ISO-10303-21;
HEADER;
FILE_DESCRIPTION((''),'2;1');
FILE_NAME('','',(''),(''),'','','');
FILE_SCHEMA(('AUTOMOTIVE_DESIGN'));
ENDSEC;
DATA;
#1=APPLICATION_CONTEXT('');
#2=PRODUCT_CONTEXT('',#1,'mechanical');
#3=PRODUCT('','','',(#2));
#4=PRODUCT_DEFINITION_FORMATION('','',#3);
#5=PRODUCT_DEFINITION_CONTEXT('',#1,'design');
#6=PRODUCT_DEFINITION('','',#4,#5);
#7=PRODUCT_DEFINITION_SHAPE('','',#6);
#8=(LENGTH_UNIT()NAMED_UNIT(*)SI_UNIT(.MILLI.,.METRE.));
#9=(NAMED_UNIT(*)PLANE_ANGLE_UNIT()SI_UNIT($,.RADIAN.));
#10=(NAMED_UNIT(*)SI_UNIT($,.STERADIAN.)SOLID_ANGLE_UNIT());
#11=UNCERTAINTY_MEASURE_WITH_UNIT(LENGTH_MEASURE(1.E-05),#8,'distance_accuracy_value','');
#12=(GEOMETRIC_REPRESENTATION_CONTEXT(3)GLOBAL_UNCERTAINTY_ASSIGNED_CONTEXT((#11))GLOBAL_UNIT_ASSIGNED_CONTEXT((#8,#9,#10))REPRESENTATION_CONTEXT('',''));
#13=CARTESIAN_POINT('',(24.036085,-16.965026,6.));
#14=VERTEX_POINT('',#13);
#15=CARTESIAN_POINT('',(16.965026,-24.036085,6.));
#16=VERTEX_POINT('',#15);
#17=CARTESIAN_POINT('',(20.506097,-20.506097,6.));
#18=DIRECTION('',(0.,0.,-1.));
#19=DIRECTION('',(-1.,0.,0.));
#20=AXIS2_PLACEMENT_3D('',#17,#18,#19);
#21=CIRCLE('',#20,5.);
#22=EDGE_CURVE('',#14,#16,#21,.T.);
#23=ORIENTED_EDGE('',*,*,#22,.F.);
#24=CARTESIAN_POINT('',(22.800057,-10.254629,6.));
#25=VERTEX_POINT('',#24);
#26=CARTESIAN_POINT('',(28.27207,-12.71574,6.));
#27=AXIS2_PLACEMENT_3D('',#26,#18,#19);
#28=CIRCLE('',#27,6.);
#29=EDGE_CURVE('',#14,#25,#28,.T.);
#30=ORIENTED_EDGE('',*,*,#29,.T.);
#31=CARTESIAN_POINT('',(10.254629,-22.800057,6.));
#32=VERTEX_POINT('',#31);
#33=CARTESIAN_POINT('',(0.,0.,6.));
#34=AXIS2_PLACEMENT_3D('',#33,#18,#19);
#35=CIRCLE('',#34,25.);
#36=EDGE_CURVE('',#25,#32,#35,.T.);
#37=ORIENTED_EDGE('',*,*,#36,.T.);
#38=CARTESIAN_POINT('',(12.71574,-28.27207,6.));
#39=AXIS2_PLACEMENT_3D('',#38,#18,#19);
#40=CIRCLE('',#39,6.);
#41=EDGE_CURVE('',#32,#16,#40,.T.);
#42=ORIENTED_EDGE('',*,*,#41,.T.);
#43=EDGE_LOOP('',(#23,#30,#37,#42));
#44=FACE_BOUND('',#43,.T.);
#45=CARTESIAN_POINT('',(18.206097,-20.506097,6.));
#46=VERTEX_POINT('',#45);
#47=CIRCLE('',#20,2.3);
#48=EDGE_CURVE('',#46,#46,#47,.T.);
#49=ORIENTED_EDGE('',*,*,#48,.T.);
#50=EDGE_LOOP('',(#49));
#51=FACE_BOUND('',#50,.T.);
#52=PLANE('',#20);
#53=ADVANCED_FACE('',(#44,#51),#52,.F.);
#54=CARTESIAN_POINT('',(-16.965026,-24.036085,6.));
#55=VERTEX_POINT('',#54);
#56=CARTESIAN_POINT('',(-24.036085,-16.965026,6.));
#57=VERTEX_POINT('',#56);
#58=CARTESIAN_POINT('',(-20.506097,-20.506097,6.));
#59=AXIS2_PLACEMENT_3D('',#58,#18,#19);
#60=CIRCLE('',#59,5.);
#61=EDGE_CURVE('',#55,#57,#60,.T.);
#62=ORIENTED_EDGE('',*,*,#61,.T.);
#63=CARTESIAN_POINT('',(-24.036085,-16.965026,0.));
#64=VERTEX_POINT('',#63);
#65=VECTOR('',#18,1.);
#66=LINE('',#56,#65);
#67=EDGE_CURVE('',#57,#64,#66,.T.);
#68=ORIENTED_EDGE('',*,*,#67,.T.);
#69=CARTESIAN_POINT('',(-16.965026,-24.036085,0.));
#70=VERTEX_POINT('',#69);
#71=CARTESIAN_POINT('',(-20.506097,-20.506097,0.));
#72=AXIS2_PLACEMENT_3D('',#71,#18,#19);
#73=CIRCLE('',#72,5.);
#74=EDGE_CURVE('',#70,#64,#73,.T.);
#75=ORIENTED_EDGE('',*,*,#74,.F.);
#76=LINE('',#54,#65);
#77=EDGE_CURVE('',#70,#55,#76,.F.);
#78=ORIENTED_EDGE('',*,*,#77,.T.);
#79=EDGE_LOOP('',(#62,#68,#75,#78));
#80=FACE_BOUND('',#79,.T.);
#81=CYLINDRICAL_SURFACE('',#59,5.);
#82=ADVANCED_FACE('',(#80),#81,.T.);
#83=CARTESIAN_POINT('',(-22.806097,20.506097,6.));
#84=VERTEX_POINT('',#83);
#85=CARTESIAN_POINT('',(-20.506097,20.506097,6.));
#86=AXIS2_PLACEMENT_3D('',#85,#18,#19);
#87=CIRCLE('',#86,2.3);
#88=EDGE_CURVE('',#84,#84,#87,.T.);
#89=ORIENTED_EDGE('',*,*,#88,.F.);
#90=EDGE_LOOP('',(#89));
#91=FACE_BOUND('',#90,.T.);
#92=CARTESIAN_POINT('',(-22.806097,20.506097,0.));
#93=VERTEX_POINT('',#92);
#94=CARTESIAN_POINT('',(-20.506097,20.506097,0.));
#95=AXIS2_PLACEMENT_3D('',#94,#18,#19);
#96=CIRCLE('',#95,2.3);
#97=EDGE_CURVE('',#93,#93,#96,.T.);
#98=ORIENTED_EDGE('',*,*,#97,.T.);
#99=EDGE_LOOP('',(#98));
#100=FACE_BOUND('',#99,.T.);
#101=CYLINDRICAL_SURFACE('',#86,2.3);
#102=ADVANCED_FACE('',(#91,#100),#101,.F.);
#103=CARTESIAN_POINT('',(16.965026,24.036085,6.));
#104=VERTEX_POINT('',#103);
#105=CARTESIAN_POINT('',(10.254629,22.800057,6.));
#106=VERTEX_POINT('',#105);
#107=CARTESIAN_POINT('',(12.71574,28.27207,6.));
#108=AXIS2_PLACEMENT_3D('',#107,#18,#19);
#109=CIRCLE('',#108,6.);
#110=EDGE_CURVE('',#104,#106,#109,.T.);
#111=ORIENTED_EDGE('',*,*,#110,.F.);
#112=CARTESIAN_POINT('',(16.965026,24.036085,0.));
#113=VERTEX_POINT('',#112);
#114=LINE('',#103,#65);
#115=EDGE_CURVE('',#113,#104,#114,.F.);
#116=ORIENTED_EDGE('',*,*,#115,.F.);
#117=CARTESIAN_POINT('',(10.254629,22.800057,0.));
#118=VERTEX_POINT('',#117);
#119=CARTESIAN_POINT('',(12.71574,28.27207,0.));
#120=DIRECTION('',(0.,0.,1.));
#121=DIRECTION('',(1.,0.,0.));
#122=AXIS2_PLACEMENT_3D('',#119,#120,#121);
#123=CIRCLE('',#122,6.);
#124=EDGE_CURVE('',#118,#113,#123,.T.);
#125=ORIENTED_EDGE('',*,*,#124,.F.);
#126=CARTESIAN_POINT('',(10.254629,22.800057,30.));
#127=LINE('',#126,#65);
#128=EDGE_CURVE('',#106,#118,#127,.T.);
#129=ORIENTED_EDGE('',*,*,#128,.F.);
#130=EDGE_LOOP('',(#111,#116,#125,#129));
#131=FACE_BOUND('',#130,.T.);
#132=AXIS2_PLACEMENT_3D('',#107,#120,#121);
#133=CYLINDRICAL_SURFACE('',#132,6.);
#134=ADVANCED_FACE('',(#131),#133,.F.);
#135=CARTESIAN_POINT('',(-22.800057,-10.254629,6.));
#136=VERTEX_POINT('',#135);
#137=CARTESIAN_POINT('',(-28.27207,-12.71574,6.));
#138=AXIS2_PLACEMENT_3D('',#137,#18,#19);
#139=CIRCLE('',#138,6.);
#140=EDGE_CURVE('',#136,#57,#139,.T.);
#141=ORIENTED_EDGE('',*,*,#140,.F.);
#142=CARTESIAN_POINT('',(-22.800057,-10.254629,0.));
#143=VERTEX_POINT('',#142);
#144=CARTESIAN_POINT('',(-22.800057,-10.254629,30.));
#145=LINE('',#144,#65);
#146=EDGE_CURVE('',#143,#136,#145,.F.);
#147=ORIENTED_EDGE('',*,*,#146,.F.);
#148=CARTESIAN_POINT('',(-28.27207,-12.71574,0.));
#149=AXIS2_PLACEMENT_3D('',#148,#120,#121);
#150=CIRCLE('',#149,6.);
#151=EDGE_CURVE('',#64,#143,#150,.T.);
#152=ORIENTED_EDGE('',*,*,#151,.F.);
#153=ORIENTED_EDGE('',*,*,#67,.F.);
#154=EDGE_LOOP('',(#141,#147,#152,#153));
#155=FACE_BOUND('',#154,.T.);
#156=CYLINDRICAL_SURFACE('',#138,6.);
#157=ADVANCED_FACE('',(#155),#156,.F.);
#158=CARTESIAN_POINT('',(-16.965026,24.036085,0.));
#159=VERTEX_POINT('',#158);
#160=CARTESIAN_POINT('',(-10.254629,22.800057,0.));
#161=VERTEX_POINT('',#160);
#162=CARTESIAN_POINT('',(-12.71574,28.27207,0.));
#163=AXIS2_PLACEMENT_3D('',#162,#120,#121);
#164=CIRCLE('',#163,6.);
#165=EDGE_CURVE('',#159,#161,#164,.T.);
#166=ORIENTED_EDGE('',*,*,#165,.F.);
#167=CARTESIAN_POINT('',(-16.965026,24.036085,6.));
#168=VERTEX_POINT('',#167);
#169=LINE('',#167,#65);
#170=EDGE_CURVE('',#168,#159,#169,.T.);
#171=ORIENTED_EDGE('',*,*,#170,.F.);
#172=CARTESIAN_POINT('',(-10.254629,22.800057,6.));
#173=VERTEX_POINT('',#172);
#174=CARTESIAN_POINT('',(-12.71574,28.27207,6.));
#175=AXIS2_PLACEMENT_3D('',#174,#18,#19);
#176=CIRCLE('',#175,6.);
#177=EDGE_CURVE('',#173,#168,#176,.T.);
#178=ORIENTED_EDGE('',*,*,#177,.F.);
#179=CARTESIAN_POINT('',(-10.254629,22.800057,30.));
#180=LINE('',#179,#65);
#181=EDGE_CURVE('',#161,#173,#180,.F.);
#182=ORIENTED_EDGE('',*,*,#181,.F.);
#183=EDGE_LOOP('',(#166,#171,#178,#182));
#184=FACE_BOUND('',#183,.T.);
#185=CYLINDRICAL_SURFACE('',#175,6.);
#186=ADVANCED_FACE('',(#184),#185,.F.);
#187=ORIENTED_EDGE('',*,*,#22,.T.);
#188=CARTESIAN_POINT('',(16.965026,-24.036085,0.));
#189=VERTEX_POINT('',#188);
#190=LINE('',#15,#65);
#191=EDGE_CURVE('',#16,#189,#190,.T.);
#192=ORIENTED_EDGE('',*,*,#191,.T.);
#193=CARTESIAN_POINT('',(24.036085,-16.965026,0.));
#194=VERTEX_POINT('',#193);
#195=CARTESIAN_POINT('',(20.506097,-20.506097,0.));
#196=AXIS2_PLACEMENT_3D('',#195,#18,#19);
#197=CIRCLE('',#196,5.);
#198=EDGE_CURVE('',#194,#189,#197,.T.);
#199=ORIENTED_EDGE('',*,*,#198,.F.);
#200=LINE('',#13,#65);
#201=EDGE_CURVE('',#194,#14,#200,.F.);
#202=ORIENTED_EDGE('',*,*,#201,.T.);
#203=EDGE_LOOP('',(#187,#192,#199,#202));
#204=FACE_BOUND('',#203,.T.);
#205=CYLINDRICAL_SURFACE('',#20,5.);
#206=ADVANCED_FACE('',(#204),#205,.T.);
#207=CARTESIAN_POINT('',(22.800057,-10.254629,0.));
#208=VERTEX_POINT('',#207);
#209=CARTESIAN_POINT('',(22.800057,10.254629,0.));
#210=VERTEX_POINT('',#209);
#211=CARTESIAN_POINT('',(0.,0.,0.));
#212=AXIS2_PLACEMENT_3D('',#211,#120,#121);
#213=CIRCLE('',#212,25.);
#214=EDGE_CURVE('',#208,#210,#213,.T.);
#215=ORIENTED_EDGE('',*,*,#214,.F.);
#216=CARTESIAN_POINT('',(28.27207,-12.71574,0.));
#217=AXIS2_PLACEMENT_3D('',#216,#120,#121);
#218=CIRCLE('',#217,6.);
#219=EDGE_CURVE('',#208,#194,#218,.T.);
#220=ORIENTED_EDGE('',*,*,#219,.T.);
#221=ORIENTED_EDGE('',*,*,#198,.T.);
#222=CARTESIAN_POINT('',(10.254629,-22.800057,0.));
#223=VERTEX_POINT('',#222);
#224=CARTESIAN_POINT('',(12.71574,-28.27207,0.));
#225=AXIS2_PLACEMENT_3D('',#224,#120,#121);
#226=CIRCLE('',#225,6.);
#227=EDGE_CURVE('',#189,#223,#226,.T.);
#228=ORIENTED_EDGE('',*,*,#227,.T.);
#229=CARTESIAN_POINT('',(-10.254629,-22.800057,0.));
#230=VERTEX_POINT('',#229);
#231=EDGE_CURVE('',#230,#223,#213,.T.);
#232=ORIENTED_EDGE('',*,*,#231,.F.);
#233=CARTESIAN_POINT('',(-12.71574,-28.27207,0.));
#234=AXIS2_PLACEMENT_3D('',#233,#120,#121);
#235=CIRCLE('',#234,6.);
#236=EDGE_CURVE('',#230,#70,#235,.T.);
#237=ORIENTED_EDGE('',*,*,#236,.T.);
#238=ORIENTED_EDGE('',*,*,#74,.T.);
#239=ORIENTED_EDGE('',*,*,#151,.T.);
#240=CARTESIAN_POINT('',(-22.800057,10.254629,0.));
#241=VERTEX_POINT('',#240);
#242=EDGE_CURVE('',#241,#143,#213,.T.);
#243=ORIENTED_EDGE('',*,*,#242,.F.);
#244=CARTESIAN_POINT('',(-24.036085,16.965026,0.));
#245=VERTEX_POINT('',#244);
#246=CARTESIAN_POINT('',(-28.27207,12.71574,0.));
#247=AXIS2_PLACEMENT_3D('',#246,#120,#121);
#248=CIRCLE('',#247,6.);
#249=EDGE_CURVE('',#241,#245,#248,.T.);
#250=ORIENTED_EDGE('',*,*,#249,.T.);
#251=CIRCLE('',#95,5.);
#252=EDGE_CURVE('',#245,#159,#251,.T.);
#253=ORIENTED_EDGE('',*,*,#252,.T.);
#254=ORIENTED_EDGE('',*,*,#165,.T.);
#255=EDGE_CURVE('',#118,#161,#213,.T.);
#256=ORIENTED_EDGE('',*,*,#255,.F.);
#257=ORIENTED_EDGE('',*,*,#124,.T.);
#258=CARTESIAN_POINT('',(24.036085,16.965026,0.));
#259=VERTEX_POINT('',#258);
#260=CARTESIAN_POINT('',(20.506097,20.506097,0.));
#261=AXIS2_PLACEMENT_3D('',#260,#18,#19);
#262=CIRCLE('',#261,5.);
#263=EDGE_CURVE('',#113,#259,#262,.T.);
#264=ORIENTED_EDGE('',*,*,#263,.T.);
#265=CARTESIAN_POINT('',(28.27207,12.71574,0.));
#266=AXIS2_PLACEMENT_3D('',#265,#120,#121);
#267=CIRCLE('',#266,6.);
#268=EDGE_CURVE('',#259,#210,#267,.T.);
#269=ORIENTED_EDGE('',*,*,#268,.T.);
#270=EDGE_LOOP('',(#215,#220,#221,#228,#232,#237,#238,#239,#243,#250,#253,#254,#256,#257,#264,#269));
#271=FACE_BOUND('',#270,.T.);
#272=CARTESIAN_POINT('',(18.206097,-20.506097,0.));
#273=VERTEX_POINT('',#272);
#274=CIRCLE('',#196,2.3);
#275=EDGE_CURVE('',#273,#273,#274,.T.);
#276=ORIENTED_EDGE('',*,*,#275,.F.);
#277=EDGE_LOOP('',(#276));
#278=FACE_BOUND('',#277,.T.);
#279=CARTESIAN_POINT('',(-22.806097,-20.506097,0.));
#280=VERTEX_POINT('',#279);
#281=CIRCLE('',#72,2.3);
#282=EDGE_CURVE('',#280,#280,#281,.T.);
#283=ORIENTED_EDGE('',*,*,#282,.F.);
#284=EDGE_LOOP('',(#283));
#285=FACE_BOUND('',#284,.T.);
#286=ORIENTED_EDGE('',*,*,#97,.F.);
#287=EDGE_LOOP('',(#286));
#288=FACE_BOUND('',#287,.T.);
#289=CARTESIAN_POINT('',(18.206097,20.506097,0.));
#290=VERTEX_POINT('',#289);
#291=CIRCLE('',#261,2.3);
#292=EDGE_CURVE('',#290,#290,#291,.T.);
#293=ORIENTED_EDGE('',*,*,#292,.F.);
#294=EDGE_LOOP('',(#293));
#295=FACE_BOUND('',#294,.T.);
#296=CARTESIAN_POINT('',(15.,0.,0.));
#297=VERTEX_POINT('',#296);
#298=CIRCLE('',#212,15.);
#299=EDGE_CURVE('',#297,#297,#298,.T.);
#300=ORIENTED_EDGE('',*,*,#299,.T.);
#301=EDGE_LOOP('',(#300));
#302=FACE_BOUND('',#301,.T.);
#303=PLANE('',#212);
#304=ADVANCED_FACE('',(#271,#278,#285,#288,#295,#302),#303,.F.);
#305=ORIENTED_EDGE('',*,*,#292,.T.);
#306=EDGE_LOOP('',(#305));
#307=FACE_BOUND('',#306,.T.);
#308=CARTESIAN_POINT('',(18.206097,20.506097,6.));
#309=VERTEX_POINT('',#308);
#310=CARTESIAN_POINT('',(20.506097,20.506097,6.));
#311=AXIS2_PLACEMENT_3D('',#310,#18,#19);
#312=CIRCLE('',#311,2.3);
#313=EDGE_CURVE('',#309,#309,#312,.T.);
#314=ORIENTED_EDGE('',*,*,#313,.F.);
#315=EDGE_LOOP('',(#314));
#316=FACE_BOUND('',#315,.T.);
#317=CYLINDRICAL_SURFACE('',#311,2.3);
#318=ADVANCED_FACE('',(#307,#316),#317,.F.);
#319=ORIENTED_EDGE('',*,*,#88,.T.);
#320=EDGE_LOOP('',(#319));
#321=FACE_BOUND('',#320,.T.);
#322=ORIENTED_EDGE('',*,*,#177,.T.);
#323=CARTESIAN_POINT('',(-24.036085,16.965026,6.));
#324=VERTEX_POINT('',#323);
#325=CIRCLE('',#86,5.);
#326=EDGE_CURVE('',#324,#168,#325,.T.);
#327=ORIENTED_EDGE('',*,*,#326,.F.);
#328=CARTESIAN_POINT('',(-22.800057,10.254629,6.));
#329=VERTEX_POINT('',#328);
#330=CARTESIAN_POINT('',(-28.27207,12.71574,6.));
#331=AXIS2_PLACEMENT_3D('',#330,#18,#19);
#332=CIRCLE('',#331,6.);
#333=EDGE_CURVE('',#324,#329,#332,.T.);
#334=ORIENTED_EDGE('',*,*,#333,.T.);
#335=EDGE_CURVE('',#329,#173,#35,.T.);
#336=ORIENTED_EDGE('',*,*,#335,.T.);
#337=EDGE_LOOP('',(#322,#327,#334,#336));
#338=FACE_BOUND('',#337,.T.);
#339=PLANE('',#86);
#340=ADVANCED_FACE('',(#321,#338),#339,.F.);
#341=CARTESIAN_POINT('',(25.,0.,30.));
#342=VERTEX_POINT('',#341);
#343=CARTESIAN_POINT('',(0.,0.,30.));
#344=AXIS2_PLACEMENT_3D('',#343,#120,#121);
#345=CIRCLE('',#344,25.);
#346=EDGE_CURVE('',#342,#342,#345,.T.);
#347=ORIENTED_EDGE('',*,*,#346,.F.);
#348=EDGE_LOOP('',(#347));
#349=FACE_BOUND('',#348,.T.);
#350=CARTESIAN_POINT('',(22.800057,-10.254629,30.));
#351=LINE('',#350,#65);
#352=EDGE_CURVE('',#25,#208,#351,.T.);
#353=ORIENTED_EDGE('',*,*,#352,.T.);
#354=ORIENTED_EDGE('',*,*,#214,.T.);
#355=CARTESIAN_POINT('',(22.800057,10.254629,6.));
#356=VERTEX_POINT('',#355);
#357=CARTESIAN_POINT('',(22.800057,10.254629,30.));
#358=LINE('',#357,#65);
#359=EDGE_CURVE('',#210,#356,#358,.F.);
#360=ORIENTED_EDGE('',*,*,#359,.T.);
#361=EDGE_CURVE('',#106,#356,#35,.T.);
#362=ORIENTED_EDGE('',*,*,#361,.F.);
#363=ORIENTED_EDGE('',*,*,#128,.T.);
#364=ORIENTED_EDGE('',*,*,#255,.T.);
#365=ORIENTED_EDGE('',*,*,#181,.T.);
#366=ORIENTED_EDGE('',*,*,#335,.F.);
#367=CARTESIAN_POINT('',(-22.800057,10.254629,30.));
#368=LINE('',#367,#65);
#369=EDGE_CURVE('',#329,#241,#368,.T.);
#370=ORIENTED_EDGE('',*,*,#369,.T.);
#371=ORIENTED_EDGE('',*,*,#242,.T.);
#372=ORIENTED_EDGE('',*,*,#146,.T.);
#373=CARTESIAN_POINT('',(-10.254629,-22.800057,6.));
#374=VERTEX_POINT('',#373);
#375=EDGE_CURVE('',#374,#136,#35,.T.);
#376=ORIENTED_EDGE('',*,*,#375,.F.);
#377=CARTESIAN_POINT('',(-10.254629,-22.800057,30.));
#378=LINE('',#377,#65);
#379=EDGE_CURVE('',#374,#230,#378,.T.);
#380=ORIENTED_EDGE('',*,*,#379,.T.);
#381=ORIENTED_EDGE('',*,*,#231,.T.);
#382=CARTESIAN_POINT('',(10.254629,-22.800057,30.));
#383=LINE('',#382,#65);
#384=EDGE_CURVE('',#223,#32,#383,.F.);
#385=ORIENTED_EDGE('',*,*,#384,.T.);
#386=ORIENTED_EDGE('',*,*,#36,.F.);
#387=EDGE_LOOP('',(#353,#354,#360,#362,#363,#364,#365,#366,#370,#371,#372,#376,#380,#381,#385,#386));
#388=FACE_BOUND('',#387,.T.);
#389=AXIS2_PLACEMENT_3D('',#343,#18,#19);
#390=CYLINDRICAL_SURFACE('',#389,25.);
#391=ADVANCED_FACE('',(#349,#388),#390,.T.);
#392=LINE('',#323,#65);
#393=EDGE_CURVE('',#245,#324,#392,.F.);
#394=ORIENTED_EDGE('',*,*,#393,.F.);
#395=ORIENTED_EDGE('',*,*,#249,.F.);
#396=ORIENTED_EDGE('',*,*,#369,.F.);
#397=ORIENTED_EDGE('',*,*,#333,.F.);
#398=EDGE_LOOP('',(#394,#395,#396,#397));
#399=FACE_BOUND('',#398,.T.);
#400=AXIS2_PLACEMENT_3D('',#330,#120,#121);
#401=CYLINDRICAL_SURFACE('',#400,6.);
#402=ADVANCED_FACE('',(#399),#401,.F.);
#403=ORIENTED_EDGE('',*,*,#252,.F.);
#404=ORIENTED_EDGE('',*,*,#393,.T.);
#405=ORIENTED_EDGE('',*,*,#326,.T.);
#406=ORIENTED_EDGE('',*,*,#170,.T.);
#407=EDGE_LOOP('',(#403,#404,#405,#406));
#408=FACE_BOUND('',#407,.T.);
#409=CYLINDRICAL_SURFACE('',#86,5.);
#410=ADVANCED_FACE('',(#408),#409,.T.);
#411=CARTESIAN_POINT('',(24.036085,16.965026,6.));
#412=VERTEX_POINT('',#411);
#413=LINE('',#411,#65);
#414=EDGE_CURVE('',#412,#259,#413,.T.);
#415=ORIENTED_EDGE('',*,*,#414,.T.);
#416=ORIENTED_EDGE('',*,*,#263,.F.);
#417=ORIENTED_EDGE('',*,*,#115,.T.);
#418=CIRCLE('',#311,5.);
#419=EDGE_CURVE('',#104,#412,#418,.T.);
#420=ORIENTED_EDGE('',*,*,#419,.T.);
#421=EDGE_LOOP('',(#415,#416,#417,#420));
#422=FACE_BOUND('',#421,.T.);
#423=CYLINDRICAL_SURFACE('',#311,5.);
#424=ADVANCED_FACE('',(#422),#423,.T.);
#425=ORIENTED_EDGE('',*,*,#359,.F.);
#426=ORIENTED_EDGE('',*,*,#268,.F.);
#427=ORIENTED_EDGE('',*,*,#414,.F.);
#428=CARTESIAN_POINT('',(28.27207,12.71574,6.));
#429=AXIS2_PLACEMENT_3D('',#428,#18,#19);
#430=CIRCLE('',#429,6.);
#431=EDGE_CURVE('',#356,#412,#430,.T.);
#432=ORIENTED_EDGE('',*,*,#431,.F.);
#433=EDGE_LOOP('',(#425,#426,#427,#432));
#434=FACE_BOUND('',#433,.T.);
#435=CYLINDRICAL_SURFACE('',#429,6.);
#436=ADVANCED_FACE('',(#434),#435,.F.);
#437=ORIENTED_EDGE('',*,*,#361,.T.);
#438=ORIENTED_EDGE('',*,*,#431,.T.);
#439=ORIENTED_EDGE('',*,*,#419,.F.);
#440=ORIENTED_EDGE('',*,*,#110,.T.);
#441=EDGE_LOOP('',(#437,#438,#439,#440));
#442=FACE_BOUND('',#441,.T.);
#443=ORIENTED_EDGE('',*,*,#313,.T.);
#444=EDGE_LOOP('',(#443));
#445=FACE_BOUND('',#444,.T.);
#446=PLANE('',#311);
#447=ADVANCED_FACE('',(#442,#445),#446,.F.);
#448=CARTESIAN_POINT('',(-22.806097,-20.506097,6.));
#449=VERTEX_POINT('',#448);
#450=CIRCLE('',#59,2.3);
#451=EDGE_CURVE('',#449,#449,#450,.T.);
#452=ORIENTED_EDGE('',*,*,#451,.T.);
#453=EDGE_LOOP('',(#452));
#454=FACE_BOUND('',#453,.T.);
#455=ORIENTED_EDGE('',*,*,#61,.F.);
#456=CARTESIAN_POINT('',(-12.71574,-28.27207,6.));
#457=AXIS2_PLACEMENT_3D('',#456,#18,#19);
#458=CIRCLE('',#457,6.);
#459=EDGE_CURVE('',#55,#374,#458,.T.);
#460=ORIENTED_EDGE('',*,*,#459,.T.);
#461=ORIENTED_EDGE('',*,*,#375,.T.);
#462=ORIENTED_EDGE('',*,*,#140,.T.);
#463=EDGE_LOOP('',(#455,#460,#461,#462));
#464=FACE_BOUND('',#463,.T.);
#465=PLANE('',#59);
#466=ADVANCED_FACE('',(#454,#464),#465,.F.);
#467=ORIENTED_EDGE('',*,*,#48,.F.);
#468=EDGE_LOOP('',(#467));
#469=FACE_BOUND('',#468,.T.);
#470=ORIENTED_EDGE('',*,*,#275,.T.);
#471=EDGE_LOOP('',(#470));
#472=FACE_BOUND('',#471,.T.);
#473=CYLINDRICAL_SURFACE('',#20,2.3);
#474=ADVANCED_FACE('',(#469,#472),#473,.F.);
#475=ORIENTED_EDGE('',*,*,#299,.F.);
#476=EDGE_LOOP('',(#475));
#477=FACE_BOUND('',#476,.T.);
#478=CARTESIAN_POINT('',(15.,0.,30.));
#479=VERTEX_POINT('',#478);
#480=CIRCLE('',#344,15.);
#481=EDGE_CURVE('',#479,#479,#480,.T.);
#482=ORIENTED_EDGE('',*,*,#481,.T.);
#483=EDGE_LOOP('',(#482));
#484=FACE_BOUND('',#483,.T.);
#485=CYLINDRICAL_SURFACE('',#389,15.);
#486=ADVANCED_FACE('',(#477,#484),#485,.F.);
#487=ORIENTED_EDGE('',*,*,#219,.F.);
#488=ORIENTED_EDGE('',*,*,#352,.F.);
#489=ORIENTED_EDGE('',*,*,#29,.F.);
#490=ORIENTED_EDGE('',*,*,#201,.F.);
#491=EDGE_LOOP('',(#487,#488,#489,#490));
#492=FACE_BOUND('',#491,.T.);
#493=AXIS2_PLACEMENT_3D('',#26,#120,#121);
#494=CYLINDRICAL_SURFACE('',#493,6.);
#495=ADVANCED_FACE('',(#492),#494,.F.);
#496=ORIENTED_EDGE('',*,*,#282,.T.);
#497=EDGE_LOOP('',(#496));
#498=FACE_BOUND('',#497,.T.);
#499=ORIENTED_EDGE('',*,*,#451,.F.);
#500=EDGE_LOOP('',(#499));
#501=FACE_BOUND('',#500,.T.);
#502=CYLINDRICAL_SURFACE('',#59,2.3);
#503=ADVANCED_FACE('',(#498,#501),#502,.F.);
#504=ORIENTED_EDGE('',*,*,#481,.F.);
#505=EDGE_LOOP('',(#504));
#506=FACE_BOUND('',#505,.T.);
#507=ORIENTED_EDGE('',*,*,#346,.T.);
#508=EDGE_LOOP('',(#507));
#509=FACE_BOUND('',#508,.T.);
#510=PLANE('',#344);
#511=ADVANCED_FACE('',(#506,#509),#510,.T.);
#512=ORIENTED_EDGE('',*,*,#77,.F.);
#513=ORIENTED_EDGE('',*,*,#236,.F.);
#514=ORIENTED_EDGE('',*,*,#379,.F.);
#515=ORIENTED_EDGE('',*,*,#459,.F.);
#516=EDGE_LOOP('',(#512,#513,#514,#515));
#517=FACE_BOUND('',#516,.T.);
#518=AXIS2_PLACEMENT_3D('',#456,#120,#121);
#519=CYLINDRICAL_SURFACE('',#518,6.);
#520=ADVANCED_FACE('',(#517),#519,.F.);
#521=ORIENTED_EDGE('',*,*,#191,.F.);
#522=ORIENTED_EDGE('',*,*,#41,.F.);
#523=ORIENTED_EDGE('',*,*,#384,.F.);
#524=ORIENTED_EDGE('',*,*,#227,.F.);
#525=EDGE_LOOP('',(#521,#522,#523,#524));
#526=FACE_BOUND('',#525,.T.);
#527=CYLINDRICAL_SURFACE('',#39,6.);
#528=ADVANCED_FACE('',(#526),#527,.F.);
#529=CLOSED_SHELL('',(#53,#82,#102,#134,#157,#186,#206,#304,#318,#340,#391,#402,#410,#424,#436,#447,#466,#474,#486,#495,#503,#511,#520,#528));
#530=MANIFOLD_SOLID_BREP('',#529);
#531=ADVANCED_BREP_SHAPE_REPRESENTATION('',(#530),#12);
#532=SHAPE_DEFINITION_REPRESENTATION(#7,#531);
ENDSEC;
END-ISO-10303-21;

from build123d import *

# Parameters (mm, degrees)
SKETCH1_R           = 25
SKETCH1_R_2         = 15
BOSS_EXTRUDE1_DEPTH = 30
SKETCH2_R           = 5
SKETCH2_R_2         = 2.3
BOSS_EXTRUDE2_DEPTH = 6
FILLET1_R           = 6


with BuildPart() as part:
    # Sketch1 → Boss-Extrude1 (new body)
    with BuildSketch(Plane.XY):
        Circle(SKETCH1_R)
        Circle(SKETCH1_R_2, mode=Mode.SUBTRACT)
    extrude(amount=BOSS_EXTRUDE1_DEPTH)

    # Sketch2 → Boss-Extrude2 (add)
    # profile 1 of 4: a face of its own
    with BuildSketch(Plane(origin=(0, 0, 0), x_dir=(-1, 0, 0), z_dir=(0, 0, -1))):
        with Locations((20.506096654, 20.506096654)):
            Circle(SKETCH2_R)
        with Locations((20.506096654, 20.506096654)):
            Circle(SKETCH2_R_2, mode=Mode.SUBTRACT)
    # profile 2 of 4: a face of its own
    with BuildSketch(Plane(origin=(0, 0, 0), x_dir=(-1, 0, 0), z_dir=(0, 0, -1))):
        with Locations((20.506096654, -20.506096654)):
            Circle(SKETCH2_R)
        with Locations((20.506096654, -20.506096654)):
            Circle(SKETCH2_R_2, mode=Mode.SUBTRACT)
    # profile 3 of 4: a face of its own
    with BuildSketch(Plane(origin=(0, 0, 0), x_dir=(-1, 0, 0), z_dir=(0, 0, -1))):
        with Locations((-20.506096654, -20.506096654)):
            Circle(SKETCH2_R)
        with Locations((-20.506096654, -20.506096654)):
            Circle(SKETCH2_R_2, mode=Mode.SUBTRACT)
    # profile 4 of 4: a face of its own
    with BuildSketch(Plane(origin=(0, 0, 0), x_dir=(-1, 0, 0), z_dir=(0, 0, -1))):
        with Locations((-20.506096654, 20.506096654)):
            Circle(SKETCH2_R)
        with Locations((-20.506096654, 20.506096654)):
            Circle(SKETCH2_R_2, mode=Mode.SUBTRACT)
    extrude(amount=-BOSS_EXTRUDE2_DEPTH)

    # Fillet1
    fillet1_edges = [part.edges().sort_by_distance(p)[0] for p in [
        (-19.534483911, 15.601408216, 3),
        (-15.601408216, 19.534483911, 3),
        (-15.601408216, -19.534483911, 3),
        (-19.534483911, -15.601408216, 3),
        (19.534483911, -15.601408216, 3),
        (15.601408216, -19.534483911, 3),
        (15.601408216, 19.534483911, 3),
        (19.534483911, 15.601408216, 3),
    ]]
    fillet(fillet1_edges, radius=FILLET1_R)


solid = part.part
